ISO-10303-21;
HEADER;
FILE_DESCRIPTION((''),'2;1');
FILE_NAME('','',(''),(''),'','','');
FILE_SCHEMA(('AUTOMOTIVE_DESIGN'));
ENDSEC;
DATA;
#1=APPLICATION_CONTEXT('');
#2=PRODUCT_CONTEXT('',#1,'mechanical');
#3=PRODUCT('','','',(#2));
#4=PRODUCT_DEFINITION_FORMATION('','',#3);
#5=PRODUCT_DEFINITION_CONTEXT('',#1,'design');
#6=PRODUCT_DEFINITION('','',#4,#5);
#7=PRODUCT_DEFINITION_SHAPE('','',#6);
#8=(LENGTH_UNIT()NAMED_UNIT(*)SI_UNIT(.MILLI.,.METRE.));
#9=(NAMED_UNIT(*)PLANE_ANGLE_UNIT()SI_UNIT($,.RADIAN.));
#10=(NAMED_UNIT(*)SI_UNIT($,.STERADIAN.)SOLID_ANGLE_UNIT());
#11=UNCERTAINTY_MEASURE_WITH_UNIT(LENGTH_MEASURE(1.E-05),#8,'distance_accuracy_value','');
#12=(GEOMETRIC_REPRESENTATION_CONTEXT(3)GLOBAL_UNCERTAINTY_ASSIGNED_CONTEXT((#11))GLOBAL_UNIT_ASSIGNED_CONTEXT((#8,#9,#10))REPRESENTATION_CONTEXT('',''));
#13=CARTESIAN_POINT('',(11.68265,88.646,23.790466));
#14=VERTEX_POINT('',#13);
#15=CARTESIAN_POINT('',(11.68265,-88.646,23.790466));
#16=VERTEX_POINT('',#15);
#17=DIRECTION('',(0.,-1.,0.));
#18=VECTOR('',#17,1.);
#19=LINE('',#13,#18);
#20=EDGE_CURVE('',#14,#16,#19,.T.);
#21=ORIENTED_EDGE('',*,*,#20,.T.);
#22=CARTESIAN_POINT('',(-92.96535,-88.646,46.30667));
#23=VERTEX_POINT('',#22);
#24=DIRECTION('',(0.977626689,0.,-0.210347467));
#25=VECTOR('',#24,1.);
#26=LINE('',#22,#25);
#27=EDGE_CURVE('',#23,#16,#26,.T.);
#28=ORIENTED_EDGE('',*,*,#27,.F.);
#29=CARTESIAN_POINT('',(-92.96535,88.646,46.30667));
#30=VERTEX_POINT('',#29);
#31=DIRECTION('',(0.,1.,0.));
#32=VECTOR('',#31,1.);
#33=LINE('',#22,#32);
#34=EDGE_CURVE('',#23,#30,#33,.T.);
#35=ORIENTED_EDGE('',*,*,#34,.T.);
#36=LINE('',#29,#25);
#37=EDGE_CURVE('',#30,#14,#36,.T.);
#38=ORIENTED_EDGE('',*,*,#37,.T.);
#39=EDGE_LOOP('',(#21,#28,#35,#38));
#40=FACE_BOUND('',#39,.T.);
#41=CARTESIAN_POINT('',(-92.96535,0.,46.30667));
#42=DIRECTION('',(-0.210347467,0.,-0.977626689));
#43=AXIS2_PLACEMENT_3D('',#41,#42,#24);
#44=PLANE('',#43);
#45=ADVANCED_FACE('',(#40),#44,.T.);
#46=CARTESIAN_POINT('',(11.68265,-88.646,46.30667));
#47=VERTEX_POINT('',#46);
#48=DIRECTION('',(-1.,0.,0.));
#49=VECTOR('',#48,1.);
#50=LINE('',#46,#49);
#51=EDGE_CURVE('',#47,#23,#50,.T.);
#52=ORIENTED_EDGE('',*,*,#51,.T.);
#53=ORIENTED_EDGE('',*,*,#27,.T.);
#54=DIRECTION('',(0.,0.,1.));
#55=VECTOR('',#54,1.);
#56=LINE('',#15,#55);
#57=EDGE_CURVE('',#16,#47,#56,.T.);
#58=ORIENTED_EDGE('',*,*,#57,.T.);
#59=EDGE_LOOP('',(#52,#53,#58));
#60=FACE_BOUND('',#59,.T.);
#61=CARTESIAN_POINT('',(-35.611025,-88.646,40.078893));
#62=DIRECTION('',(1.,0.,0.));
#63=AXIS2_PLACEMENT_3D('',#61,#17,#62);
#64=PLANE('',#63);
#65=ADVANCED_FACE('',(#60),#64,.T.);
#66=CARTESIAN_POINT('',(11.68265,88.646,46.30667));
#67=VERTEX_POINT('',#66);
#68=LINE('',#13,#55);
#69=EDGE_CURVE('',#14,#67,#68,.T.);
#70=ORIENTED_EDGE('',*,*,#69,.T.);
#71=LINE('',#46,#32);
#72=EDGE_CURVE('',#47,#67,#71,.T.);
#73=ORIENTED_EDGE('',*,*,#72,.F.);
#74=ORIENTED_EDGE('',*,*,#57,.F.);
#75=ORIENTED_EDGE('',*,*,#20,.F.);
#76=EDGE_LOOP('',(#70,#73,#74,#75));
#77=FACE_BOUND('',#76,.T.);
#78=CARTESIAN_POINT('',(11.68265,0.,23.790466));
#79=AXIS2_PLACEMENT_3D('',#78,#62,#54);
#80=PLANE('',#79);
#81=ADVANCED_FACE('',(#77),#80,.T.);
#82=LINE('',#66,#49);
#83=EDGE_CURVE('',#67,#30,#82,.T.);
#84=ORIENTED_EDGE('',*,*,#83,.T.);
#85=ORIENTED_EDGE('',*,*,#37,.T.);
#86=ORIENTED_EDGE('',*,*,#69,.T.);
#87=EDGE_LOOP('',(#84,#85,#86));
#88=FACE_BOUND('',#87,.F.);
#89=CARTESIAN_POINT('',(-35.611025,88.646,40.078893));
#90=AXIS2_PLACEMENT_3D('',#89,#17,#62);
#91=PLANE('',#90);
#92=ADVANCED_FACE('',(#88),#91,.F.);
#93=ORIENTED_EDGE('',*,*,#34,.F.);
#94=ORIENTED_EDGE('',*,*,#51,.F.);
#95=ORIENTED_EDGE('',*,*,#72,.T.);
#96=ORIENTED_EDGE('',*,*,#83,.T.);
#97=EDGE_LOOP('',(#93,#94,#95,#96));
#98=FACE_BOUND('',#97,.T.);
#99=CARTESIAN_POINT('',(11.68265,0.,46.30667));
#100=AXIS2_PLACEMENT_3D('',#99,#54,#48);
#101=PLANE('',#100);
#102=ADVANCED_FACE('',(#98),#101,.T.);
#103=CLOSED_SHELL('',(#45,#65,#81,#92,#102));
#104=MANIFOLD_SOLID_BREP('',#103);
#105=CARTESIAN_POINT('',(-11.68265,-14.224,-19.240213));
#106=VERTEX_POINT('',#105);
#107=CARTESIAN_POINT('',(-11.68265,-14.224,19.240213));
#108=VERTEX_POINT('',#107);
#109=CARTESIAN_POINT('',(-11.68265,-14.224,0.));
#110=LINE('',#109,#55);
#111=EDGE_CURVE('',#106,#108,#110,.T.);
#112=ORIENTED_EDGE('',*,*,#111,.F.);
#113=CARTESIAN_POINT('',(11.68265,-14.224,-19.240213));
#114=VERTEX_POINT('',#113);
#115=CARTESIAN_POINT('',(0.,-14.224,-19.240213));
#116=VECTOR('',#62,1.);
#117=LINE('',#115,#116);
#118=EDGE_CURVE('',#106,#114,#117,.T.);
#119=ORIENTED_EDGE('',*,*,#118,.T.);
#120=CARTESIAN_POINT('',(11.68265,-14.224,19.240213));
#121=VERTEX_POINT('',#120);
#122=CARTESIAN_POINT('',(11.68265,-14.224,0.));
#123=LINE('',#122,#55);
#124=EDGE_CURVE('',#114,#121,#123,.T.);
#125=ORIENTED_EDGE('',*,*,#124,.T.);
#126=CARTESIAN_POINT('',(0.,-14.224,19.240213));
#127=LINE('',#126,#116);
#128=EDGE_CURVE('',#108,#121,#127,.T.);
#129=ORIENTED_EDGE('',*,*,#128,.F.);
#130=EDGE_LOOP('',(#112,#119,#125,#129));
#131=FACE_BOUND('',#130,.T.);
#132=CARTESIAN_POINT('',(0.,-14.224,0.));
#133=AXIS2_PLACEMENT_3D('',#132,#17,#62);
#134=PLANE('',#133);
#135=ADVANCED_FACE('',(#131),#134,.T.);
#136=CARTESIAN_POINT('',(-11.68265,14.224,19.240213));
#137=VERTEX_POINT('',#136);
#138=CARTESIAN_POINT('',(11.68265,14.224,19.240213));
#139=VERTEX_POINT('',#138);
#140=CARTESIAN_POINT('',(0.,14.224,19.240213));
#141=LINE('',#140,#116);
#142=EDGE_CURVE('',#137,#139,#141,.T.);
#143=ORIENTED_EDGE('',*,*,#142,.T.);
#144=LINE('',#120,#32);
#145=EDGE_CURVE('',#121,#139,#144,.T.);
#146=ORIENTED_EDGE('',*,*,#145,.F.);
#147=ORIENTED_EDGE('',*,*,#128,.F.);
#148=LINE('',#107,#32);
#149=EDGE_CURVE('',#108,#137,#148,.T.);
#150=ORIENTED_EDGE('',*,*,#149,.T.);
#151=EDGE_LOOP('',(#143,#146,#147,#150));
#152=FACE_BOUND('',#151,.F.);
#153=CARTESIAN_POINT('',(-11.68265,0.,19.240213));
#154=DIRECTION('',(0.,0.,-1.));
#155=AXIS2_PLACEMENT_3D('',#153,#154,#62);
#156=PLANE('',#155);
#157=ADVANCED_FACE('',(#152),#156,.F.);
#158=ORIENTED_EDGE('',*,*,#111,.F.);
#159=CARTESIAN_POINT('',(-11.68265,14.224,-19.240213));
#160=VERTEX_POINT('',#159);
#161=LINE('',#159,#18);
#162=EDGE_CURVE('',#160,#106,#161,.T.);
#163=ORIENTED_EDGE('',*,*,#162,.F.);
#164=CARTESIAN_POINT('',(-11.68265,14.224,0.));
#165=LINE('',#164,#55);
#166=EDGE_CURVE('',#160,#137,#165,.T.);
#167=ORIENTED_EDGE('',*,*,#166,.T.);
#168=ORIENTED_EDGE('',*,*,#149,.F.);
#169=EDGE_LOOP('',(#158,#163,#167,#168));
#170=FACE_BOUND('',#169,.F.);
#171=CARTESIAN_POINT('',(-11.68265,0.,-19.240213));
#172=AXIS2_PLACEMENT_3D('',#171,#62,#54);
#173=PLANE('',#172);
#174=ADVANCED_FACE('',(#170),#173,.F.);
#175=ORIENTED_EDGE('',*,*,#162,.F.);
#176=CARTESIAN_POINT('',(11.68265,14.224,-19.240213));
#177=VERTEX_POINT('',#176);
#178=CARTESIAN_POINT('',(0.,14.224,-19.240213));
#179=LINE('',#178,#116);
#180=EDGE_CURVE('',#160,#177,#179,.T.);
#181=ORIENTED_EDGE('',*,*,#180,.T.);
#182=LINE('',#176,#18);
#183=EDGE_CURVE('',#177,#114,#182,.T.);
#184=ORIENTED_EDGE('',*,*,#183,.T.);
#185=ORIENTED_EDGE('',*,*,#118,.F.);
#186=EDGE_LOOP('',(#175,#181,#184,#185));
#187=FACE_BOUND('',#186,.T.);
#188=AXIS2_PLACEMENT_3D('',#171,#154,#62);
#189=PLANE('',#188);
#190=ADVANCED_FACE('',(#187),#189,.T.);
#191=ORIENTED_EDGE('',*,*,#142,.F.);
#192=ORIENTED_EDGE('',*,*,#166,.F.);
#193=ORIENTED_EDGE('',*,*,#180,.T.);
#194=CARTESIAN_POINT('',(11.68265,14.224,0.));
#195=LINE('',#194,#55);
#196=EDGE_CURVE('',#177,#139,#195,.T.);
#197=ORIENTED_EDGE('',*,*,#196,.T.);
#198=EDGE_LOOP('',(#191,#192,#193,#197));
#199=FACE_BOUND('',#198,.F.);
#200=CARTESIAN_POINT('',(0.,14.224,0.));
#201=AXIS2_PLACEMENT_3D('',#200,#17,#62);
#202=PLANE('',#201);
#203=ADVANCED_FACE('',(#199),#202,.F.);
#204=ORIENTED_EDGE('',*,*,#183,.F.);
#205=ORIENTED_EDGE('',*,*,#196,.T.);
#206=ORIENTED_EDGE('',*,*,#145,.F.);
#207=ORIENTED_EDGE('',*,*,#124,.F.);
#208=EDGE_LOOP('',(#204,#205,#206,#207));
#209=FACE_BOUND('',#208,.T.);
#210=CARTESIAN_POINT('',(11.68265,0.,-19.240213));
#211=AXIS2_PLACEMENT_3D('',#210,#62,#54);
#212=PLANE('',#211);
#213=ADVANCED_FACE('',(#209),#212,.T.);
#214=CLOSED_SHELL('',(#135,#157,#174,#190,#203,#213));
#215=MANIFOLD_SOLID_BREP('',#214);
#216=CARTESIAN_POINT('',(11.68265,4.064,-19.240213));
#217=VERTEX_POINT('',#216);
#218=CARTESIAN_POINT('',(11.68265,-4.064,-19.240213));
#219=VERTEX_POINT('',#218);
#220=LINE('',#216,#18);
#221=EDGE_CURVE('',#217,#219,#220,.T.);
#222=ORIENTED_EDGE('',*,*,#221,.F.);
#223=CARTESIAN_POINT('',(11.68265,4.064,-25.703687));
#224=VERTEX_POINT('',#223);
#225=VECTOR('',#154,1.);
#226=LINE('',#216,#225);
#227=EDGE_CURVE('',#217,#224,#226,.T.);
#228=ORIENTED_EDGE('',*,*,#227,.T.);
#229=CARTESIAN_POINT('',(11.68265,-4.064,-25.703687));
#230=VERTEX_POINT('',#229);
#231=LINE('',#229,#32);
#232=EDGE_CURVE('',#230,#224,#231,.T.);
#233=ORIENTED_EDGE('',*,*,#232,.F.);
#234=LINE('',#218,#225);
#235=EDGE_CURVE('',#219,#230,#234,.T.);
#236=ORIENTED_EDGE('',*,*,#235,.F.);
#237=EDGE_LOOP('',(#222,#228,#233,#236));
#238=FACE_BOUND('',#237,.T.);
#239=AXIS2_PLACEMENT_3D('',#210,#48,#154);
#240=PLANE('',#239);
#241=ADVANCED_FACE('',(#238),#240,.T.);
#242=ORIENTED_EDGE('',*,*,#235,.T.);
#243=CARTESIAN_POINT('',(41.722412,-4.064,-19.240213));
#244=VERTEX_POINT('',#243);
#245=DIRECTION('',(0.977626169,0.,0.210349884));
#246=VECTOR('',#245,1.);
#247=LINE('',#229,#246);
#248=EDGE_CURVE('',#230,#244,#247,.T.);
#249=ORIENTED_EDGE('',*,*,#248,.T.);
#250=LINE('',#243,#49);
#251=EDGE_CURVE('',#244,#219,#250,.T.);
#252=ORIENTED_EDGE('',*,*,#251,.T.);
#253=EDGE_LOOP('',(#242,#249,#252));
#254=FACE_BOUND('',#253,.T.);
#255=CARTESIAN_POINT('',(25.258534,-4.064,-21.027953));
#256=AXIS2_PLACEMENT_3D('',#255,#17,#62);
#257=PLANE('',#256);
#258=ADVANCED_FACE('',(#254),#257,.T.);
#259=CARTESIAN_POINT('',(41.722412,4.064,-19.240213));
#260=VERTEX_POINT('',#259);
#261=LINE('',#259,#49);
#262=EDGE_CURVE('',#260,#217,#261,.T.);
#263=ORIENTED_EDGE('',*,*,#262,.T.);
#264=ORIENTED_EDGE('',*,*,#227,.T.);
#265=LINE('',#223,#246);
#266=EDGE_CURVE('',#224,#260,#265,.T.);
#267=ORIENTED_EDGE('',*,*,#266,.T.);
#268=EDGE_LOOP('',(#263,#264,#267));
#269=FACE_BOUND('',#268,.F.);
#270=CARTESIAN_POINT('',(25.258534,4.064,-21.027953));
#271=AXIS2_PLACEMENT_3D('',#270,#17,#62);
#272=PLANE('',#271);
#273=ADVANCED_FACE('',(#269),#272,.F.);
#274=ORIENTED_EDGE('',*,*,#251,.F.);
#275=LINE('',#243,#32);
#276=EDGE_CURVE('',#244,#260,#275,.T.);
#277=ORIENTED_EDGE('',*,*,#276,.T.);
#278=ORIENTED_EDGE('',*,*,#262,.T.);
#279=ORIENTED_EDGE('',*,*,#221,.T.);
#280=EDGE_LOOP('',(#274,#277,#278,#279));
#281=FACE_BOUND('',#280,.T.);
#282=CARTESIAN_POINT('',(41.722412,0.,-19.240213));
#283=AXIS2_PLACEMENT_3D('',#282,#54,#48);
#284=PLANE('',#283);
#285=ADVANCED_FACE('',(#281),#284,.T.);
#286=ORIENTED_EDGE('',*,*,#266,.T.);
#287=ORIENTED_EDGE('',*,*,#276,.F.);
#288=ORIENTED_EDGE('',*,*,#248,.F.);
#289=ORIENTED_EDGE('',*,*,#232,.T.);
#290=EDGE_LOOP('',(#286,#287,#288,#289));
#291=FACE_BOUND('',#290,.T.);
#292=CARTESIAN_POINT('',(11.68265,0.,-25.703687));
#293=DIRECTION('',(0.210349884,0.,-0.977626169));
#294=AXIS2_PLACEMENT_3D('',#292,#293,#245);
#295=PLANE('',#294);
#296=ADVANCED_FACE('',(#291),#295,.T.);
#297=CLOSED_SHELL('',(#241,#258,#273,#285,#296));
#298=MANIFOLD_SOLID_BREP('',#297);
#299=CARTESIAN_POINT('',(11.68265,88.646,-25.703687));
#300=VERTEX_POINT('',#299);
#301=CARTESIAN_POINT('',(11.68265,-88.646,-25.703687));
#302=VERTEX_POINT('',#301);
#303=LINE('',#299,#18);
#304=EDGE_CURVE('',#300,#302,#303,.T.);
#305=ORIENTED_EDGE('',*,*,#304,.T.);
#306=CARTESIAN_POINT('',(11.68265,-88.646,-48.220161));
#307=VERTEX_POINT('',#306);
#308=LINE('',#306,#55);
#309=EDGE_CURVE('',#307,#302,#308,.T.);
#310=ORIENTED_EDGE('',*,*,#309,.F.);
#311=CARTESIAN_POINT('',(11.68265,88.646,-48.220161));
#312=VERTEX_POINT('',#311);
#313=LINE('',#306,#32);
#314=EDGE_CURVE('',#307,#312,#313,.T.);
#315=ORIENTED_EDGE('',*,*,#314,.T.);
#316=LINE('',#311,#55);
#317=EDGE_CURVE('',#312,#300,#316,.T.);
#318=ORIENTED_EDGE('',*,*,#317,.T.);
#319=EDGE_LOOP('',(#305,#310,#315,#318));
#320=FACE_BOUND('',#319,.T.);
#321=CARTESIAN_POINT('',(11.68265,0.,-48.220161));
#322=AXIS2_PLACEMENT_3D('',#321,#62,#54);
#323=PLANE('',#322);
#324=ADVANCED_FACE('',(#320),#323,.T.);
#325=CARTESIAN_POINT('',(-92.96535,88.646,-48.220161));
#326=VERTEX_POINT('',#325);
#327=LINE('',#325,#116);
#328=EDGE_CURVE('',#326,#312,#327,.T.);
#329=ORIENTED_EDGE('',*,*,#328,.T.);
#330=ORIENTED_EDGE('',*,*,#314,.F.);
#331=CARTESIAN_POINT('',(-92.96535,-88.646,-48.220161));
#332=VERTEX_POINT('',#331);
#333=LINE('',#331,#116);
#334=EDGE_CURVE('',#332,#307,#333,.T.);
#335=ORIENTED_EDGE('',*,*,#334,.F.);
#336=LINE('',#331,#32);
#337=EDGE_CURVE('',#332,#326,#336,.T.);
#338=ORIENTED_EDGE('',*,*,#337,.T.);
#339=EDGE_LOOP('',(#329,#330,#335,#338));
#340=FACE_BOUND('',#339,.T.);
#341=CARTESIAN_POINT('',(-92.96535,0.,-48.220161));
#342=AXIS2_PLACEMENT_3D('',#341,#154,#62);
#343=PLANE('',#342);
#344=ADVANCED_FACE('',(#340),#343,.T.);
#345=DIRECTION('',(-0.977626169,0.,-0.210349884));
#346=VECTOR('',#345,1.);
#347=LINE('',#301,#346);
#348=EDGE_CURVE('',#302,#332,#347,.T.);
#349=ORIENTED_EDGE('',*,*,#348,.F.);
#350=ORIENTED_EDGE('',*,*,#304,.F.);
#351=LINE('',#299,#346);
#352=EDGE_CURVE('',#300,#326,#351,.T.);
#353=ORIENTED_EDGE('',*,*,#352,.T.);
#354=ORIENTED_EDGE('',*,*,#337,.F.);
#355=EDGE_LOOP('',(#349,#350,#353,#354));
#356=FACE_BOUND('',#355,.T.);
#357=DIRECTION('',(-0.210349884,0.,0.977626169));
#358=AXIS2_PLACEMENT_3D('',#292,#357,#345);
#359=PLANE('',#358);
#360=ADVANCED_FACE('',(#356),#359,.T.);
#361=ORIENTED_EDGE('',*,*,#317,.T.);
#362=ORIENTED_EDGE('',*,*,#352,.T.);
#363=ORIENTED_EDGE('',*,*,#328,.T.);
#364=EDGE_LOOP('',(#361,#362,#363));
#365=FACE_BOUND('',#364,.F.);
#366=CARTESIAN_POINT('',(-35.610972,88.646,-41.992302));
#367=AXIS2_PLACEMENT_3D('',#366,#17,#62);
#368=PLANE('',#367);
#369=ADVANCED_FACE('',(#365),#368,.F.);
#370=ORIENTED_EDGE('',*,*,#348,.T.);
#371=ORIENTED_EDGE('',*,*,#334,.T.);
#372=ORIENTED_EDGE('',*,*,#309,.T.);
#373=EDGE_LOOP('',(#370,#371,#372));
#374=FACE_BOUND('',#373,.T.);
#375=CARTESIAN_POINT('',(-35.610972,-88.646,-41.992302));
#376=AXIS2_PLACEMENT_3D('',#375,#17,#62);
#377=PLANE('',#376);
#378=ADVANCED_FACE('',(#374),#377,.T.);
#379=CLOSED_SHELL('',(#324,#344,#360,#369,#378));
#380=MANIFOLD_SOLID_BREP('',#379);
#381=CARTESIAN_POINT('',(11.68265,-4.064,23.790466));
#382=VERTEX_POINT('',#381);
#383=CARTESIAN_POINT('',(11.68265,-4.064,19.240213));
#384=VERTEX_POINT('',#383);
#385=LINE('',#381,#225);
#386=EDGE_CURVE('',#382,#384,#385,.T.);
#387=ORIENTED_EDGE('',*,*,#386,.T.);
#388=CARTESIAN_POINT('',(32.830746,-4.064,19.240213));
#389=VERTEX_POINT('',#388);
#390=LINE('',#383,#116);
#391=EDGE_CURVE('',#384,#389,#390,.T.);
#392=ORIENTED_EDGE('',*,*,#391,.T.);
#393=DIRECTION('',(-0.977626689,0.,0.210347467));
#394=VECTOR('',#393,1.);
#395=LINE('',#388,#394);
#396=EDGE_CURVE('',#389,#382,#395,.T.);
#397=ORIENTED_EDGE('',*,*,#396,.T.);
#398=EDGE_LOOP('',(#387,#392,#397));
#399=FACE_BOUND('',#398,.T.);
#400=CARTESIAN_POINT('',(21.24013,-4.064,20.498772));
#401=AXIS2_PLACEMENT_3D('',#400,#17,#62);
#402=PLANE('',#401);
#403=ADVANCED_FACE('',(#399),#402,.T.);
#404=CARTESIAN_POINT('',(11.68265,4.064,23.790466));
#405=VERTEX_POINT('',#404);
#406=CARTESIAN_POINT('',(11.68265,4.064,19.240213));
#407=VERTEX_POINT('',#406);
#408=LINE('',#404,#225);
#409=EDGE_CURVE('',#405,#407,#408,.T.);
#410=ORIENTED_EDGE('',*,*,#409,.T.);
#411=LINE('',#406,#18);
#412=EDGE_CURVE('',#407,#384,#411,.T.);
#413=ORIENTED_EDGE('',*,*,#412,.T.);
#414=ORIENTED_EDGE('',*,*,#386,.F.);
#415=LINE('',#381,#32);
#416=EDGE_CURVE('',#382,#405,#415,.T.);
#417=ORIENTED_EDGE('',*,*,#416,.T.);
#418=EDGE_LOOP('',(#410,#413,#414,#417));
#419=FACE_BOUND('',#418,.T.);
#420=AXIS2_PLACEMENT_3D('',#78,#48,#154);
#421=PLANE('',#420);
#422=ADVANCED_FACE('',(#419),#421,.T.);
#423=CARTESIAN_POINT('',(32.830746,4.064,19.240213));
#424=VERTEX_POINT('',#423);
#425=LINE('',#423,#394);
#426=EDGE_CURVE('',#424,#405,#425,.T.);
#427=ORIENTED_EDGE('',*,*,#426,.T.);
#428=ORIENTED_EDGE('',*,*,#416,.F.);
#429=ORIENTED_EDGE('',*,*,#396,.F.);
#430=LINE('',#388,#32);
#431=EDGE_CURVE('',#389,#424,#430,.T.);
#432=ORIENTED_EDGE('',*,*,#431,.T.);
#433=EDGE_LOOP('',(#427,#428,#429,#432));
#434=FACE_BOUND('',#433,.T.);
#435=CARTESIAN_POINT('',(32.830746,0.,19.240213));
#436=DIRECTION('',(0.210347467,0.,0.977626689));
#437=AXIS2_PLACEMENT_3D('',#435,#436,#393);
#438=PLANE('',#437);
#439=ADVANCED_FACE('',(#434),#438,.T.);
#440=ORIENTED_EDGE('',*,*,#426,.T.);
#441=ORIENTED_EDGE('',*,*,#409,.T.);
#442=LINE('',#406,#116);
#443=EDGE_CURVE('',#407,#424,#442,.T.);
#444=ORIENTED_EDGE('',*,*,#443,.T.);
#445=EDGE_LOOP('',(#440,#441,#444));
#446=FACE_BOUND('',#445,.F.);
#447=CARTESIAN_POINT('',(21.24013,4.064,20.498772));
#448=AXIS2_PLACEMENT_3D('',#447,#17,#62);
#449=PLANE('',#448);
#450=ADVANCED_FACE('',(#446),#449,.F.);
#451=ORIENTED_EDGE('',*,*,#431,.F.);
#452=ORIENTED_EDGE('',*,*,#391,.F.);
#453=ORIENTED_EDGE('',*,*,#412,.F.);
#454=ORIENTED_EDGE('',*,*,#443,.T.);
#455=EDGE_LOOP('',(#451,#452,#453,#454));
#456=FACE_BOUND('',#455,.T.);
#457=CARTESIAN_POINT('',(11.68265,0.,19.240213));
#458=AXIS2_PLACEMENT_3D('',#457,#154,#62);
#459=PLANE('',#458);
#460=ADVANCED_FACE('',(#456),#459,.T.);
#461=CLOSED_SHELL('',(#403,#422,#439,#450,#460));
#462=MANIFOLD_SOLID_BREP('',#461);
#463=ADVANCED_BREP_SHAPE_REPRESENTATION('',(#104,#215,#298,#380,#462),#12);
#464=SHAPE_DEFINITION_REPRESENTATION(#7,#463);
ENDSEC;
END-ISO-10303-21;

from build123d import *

# Parameters (mm, degrees)
F0_W     = 23.3653002378
F0_H     = 38.4804269521
F1_DEPTH = 14.224
F2_DEPTH = 88.646
F3_DEPTH = 4.064


with BuildPart() as f1:
    # F0 (on Front) → F1 (new body, symmetric)
    with BuildSketch(Plane.XZ):
        Rectangle(F0_W, F0_H)
    extrude(amount=F1_DEPTH, both=True)


with BuildPart() as f2:
    # F0 (on Front) → F2 (new body, symmetric)
    with BuildSketch(Plane.XZ):
        Polygon((11.6826501189, -48.2201610969), (11.6826501189, -25.7036866204), (-92.9653498811, -48.2201610969), align=None)
    extrude(amount=F2_DEPTH, both=True)


with BuildPart() as f2b:
    # F0 (on Front) → F2, piece 2 (new body, symmetric)
    with BuildSketch(Plane.XZ):
        Polygon((-92.9653498811, 46.3066697121), (11.6826501189, 23.7904659811), (11.6826501189, 46.3066697121), align=None)
    extrude(amount=F2_DEPTH, both=True)


with BuildPart() as f3:
    # F0 (on Front) → F3 (new body, symmetric)
    with BuildSketch(Plane.XZ):
        Polygon((41.7224122633, -19.240213476), (11.6826501189, -19.240213476), (11.6826501189, -25.7036866204), align=None)
    extrude(amount=F3_DEPTH, both=True)


with BuildPart() as f3b:
    # F0 (on Front) → F3, piece 2 (new body, symmetric)
    with BuildSketch(Plane.XZ):
        Polygon((11.6826501189, 23.7904659811), (11.6826501189, 19.240213476), (32.8307455013, 19.240213476), align=None)
    extrude(amount=F3_DEPTH, both=True)


solid = Compound([f1.part, f2.part, f2b.part, f3.part, f3b.part])
